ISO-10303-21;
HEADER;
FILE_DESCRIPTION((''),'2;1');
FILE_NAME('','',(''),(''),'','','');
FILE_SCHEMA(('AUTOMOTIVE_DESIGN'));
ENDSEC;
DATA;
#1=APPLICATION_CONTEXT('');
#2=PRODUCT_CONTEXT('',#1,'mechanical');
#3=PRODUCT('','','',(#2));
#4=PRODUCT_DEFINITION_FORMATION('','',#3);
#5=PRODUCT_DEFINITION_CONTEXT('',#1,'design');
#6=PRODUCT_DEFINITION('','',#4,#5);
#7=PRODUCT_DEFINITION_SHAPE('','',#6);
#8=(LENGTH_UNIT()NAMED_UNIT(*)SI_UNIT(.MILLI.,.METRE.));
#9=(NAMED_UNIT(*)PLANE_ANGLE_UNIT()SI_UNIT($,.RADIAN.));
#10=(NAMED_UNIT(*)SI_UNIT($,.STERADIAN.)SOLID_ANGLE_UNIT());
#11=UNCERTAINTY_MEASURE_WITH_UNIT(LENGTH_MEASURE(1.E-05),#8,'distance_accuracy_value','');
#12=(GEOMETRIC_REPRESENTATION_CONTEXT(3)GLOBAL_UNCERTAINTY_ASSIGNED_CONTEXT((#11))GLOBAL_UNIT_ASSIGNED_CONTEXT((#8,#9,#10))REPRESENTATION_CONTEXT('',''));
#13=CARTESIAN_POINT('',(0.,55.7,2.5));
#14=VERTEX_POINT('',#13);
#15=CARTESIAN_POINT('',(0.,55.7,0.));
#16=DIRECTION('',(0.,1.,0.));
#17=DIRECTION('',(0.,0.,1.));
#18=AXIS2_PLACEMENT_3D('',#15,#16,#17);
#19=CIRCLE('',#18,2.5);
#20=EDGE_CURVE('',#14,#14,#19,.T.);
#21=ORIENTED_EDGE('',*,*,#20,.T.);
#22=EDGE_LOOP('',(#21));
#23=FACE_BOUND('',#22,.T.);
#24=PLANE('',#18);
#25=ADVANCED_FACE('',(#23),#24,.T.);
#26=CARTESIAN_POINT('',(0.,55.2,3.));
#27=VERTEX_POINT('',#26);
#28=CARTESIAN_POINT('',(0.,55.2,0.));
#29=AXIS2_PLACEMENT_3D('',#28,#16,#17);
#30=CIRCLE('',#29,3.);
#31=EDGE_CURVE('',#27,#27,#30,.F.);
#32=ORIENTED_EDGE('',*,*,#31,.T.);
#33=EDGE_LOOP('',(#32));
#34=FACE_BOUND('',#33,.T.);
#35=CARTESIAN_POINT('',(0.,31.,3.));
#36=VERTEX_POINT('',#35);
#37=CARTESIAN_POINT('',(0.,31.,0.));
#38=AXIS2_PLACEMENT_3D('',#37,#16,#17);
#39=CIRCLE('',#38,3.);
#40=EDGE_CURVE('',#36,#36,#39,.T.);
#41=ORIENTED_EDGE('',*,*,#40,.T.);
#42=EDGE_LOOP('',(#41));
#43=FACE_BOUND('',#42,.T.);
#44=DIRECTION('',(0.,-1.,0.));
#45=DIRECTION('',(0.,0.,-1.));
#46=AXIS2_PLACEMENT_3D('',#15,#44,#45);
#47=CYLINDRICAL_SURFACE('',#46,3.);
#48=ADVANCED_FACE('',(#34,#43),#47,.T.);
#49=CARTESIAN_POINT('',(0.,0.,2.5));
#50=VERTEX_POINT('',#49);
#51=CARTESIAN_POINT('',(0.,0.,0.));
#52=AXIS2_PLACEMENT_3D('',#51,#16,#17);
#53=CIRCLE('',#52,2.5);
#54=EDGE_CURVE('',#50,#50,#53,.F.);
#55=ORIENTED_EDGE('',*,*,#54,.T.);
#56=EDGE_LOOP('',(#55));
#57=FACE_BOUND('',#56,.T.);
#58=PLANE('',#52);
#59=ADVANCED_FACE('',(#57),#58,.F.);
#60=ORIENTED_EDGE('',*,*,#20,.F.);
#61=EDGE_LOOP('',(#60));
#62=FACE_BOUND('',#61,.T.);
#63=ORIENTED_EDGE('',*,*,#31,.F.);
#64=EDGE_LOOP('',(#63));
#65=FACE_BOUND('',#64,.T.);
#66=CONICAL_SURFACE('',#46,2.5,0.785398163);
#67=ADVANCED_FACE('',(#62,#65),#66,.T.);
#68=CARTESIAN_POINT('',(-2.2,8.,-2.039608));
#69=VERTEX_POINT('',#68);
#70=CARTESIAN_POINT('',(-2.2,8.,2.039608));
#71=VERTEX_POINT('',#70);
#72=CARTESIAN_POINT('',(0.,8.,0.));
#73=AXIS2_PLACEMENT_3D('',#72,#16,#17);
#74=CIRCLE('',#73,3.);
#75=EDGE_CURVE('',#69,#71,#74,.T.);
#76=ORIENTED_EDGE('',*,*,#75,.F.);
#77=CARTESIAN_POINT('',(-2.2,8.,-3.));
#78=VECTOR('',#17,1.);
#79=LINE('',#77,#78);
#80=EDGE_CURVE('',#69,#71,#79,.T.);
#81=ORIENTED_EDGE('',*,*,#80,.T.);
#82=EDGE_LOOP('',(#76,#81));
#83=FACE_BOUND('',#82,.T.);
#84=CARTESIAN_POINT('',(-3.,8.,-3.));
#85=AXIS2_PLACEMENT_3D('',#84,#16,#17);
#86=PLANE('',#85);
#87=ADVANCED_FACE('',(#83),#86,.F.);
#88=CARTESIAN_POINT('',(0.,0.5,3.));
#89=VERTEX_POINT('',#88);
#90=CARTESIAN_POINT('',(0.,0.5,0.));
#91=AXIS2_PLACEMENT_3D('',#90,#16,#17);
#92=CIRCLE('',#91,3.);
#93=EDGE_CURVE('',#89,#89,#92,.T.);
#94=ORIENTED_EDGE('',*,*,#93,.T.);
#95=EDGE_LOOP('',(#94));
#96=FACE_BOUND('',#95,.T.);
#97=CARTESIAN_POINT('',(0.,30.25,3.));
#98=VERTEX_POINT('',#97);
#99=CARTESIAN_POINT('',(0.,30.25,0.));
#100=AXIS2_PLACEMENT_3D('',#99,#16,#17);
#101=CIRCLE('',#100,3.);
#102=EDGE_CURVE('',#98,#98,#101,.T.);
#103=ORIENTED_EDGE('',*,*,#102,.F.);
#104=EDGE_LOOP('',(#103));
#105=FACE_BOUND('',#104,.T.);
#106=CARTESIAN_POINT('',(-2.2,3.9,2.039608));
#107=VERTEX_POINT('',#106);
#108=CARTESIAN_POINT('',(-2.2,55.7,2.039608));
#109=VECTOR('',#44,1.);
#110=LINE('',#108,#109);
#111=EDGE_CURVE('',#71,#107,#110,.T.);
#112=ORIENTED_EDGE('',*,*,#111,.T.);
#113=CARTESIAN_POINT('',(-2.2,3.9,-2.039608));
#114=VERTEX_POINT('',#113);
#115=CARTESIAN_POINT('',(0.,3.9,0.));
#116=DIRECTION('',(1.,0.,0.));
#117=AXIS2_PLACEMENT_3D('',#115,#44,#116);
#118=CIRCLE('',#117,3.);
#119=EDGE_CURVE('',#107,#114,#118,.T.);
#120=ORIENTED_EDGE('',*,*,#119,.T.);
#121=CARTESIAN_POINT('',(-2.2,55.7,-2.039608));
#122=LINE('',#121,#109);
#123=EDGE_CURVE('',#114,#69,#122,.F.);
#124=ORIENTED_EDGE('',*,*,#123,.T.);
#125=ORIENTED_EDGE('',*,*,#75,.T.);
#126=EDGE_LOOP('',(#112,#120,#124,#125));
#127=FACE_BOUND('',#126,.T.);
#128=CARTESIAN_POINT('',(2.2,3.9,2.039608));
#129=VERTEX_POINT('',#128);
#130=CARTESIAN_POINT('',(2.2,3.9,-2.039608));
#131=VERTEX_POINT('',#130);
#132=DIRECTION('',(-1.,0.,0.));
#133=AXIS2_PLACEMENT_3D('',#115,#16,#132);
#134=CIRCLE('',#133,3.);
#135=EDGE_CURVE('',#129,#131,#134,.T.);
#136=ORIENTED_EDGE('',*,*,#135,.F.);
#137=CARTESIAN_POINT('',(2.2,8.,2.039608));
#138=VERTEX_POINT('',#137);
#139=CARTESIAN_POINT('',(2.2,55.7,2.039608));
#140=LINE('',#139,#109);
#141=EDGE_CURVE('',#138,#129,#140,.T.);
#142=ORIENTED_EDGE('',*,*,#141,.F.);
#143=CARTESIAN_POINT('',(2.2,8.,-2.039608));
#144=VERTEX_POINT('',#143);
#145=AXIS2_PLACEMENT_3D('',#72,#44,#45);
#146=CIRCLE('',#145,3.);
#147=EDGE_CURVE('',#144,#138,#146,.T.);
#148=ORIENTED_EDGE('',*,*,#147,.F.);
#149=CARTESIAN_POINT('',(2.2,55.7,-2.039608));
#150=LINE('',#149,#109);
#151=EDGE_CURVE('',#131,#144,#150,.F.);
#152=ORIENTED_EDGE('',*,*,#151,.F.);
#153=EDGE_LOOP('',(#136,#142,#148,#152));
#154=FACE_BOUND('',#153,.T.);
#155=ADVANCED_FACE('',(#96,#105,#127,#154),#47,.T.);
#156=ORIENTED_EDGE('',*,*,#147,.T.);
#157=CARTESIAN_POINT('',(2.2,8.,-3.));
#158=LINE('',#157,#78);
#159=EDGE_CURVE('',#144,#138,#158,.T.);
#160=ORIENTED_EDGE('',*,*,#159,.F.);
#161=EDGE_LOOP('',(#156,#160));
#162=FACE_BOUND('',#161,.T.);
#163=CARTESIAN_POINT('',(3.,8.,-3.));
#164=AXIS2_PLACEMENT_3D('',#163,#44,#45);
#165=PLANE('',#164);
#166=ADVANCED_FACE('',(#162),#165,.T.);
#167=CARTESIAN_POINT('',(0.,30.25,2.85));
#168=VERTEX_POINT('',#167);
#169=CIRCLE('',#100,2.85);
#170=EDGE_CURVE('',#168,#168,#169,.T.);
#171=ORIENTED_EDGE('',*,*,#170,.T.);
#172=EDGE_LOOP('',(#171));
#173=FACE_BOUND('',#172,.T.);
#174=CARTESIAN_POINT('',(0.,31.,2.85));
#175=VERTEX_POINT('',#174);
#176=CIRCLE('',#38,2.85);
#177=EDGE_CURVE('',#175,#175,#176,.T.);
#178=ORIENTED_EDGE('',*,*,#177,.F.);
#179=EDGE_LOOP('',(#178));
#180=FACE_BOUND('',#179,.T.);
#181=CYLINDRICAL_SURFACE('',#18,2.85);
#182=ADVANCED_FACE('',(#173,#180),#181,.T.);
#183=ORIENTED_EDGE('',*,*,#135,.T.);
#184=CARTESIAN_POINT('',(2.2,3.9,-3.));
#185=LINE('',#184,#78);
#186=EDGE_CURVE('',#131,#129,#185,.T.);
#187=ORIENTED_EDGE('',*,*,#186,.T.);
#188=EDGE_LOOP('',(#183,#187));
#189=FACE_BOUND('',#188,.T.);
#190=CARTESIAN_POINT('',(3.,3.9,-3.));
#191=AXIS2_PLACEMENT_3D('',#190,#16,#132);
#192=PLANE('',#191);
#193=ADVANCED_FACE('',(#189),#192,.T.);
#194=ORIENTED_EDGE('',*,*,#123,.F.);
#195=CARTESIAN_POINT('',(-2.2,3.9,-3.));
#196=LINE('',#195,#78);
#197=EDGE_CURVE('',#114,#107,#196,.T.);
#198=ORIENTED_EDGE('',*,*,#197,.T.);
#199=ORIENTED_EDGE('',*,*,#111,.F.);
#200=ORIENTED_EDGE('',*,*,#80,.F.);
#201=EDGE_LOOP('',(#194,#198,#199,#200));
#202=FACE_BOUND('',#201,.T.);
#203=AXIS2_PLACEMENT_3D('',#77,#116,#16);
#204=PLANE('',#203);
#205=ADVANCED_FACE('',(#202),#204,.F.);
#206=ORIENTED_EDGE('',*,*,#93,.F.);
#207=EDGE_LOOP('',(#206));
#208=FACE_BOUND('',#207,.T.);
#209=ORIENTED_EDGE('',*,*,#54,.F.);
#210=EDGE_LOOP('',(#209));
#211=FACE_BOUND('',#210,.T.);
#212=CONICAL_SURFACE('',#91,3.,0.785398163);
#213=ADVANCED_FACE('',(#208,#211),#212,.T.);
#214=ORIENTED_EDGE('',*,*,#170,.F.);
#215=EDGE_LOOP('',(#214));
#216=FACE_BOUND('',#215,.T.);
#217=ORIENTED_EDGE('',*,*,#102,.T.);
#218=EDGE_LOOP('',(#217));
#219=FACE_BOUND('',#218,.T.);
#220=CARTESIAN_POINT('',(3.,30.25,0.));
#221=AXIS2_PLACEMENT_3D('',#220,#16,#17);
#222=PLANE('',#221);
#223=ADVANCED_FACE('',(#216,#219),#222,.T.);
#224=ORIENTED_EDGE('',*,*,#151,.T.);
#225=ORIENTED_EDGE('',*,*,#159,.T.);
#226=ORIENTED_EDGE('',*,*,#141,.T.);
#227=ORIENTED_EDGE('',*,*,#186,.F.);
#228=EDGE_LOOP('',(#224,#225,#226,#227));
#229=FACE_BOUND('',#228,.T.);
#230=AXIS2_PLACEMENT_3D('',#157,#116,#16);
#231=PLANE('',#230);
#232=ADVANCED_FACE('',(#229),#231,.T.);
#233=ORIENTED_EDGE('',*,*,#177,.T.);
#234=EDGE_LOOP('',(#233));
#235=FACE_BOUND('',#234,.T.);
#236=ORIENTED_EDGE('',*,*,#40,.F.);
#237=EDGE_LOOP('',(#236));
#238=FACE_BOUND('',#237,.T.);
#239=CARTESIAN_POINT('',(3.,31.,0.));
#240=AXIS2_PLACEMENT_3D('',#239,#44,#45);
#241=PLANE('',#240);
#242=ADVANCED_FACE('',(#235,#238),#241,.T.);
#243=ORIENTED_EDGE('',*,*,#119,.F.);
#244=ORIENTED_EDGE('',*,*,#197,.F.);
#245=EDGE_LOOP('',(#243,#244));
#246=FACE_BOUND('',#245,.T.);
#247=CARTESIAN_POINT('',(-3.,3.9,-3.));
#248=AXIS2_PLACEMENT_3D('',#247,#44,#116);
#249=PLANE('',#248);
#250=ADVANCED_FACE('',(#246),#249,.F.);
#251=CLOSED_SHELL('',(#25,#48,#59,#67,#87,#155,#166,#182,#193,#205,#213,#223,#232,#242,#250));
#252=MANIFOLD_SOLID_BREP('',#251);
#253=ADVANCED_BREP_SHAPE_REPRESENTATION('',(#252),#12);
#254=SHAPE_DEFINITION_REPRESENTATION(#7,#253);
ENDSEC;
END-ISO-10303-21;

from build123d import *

# Parameters (mm, degrees)
SKETCH1_R           = 3
BOSS_EXTRUDE1_DEPTH = 55.7
SKETCH2_W           = 0.8
SKETCH2_H           = 4.1
CUT_EXTRUDE1_DEPTH  = 4
SKETCH3_W           = 0.15
SKETCH3_H           = 0.75
CHAMFER1_SIZE       = 0.5


with BuildPart() as part:
    # Sketch1 → Boss-Extrude1 (new body)
    with BuildSketch(Plane(origin=(0, 0, 0), x_dir=(1, 0, 0), z_dir=(0, 1, 0))):
        Circle(SKETCH1_R)
    extrude(amount=BOSS_EXTRUDE1_DEPTH)

    # Sketch2 → Cut-Extrude1 (cut, symmetric)
    with BuildSketch(Plane.XY):
        with Locations((-2.6, 5.95)):
            Rectangle(SKETCH2_W, SKETCH2_H)
    cut_extrude1 = extrude(amount=CUT_EXTRUDE1_DEPTH, both=True, mode=Mode.SUBTRACT)

    # Mirror1: Cut-Extrude1 across plane
    add(cut_extrude1.mirror(Plane(origin=(0, 0, 0), x_dir=(0, 0, 1), z_dir=(1, 0, 0))), mode=Mode.SUBTRACT)

    # Sketch3 → Cut-Revolve1 (revolve, cut)
    with BuildSketch(Plane.XY):
        with Locations((2.925, 30.625)):
            Rectangle(SKETCH3_W, SKETCH3_H)
    revolve(axis=Axis((0, 55.7, 0), (0, -1, 0)), mode=Mode.SUBTRACT)

    # Chamfer1
    chamfer1_edges = [part.edges().sort_by_distance(p)[0] for p in [
        (-3, 0, 0),
        (-3, 55.7, 0),
    ]]
    chamfer(chamfer1_edges, length=CHAMFER1_SIZE)


solid = part.part
